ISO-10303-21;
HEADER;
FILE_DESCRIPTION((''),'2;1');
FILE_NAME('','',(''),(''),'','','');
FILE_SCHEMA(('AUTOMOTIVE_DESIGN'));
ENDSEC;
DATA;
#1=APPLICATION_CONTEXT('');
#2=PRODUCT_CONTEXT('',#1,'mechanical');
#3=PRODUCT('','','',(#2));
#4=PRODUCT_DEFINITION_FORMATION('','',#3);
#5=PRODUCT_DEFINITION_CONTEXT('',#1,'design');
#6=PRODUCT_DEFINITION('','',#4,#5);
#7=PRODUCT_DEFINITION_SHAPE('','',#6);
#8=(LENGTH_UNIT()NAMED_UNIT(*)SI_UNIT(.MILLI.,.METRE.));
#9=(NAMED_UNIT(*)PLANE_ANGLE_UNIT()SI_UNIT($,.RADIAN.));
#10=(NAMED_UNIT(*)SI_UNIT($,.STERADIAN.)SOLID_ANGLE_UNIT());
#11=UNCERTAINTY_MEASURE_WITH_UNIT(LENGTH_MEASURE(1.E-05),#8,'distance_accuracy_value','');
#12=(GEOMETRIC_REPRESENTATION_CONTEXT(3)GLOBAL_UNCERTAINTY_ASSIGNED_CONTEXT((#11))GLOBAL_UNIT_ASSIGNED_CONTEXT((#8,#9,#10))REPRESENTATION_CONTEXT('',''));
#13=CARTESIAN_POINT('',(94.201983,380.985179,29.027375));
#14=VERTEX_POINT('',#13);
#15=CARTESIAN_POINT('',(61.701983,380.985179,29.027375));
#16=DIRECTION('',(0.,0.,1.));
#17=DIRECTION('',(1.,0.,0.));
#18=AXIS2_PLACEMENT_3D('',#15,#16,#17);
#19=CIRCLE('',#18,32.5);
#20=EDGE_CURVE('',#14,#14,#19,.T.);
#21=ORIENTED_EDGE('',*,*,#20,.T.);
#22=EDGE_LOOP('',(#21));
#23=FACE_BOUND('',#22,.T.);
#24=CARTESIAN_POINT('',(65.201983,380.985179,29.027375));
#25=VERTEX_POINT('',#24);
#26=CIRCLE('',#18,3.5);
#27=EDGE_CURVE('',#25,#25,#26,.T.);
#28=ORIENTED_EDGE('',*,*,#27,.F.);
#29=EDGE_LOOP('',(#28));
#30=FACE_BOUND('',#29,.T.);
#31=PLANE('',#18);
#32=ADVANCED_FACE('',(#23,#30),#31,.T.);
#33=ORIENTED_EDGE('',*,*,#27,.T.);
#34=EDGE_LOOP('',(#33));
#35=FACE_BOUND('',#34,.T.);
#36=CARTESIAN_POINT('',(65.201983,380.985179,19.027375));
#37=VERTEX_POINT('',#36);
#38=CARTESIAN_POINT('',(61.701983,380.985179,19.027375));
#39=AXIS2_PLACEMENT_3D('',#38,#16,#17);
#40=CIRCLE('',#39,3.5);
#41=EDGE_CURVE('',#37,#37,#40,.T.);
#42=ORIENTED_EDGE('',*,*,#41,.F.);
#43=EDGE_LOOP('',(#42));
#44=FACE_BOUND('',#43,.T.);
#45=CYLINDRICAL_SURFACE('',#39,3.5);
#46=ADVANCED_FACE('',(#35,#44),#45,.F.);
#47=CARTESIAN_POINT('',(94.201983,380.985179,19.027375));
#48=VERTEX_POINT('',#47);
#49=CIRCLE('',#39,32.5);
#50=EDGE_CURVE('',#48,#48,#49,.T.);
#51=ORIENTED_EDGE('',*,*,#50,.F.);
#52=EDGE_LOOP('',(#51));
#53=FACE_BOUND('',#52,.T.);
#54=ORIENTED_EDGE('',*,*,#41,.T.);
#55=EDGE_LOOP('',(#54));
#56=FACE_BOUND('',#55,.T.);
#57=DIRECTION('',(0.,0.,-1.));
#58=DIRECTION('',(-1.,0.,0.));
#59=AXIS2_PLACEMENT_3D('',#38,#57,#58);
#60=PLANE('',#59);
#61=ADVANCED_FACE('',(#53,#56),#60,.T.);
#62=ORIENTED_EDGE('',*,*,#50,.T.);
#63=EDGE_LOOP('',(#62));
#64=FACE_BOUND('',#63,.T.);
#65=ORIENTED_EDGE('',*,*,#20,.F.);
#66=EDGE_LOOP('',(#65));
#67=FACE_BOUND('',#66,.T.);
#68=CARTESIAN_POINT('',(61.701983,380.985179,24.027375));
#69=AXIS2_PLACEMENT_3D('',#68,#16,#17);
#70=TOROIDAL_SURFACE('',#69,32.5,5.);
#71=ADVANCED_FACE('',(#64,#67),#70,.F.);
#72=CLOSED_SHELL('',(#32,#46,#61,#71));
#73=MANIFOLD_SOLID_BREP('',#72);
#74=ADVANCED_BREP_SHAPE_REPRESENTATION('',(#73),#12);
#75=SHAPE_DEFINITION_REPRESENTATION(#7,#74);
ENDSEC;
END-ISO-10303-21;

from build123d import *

# Parameters (mm, degrees)
SKETCH3_R          = 3.5
CUT_EXTRUDE1_DEPTH = 425.198074764


with BuildPart() as part:
    # Sketch2 → Revolve1 (revolve)
    with BuildSketch(Plane(origin=(-159.069667209, 156.2967757, 0), x_dir=(0, 0, 1), z_dir=(-0.7132965175568755, 0.7008623816707771, 0)), mode=Mode.PRIVATE) as revolve1_sk:
        with BuildLine():
            Line((29.02737519, 315), (19.02737519, 315))
            Line((19.02737519, 315), (19.02737519, 347.5))
            ThreePointArc((19.02737519, 347.5), (24.02737519, 342.5), (29.02737519, 347.5))
            Line((29.02737519, 347.5), (29.02737519, 315))
        make_face()
    revolve(revolve1_sk.sketch.rotate(Axis((61.701983017, 380.98517873, 29.02737519), (0, 0, -1)), 45.503765984), axis=Axis((61.701983017, 380.98517873, 29.02737519), (0, 0, -1)))

    # Sketch3 → Cut-Extrude1 (cut, through all)
    with BuildSketch(Plane.XY.offset(29.02737519)):
        with Locations((61.701983017, 380.98517873)):
            Circle(SKETCH3_R)
    extrude(amount=-CUT_EXTRUDE1_DEPTH, mode=Mode.SUBTRACT)


solid = part.part
